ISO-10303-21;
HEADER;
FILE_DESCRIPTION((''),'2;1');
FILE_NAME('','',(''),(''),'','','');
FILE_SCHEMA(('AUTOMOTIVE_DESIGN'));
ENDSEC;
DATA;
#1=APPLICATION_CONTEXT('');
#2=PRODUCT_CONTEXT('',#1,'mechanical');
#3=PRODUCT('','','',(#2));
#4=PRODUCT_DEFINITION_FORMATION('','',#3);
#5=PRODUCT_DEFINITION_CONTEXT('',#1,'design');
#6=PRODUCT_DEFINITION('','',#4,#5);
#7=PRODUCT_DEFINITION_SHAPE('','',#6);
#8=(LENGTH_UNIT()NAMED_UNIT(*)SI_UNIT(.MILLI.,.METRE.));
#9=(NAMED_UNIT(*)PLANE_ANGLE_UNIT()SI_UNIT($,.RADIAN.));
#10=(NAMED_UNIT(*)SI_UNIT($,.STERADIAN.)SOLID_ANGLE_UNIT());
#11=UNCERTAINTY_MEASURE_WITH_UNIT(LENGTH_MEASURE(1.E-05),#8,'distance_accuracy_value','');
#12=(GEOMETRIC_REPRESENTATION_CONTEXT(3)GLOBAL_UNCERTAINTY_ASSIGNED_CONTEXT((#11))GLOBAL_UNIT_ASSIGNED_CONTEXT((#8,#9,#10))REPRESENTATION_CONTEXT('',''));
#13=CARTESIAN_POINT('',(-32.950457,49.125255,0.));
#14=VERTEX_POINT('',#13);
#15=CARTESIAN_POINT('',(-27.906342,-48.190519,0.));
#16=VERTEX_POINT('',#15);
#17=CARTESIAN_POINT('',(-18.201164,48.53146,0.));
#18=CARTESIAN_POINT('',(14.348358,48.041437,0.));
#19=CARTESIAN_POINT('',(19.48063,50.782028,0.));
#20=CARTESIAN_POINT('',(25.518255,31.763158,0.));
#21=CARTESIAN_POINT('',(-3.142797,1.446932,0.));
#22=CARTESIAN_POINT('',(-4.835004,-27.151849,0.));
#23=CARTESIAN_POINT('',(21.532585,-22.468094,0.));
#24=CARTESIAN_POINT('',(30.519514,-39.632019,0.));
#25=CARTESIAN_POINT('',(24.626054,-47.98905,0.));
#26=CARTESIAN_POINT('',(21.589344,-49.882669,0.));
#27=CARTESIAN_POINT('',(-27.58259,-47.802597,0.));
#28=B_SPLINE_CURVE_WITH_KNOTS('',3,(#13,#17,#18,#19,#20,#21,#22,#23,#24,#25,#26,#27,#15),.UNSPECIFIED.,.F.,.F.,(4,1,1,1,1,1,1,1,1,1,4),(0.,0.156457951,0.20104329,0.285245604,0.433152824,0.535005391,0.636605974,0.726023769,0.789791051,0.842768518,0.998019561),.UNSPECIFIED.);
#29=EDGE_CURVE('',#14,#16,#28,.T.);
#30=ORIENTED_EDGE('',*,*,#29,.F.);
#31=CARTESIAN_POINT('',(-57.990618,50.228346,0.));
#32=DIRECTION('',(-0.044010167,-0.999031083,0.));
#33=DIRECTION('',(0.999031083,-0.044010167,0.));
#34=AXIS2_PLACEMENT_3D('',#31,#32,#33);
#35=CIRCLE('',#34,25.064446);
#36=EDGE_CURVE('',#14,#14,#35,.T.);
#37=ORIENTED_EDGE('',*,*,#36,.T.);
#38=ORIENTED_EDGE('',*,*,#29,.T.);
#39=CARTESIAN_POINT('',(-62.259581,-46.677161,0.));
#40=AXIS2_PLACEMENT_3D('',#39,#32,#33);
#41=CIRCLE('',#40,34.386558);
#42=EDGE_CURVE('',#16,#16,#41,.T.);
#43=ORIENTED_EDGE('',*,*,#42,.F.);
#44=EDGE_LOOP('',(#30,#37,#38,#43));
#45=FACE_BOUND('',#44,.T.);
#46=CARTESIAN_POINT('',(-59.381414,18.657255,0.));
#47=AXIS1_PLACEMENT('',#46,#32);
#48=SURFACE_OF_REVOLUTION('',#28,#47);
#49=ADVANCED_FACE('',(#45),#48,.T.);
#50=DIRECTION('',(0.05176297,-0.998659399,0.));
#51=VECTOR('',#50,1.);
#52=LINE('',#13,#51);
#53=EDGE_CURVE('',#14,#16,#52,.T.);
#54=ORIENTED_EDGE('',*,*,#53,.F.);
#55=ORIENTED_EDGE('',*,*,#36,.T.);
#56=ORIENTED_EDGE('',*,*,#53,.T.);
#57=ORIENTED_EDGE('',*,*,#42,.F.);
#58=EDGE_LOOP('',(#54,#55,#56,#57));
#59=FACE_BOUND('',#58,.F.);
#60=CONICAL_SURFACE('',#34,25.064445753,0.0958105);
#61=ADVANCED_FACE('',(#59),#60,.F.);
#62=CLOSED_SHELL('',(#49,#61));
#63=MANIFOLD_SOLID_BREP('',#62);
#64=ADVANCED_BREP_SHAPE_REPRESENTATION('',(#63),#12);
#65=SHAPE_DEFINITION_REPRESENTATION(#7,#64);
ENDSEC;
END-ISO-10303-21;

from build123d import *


with BuildPart() as f1:
    # F0 (on Top) → F1 (revolve)
    with BuildSketch(Plane.XY):
        with BuildLine():
            add(Edge.make_bspline(
                [(-32.9504573068, 49.1252551041), (-18.2011635832, 48.5314601891), (14.3483583762, 48.0414369801), (19.4806304446, 50.7820280389), (25.5182554767, 31.7631581271), (-3.1427970968, 1.4469317919), (-4.8350037764, -27.1518488617), (21.5325851024, -22.4680939528), (30.5195138485, -39.6320192399), (24.6260535571, -47.989049571), (21.5893443315, -49.8826692495), (-27.5825904183, -47.8025970397), (-27.906341631, -48.1905192895)],
                knots=[0, 0, 0, 0, 0.1564579514, 0.2010432903, 0.2852456041, 0.4331528236, 0.5350053913, 0.6366059741, 0.726023769, 0.7897910513, 0.8427685182, 0.9980195614, 0.9980195614, 0.9980195614, 0.9980195614], degree=3))
            Line((-32.9504573068, 49.1252551041), (-27.906341631, -48.1905192895))
        make_face()
    revolve(axis=Axis((-59.3814142048, 18.6572554521, 0), (-0.0440101668, -0.9990310832, 0)))


solid = f1.part
